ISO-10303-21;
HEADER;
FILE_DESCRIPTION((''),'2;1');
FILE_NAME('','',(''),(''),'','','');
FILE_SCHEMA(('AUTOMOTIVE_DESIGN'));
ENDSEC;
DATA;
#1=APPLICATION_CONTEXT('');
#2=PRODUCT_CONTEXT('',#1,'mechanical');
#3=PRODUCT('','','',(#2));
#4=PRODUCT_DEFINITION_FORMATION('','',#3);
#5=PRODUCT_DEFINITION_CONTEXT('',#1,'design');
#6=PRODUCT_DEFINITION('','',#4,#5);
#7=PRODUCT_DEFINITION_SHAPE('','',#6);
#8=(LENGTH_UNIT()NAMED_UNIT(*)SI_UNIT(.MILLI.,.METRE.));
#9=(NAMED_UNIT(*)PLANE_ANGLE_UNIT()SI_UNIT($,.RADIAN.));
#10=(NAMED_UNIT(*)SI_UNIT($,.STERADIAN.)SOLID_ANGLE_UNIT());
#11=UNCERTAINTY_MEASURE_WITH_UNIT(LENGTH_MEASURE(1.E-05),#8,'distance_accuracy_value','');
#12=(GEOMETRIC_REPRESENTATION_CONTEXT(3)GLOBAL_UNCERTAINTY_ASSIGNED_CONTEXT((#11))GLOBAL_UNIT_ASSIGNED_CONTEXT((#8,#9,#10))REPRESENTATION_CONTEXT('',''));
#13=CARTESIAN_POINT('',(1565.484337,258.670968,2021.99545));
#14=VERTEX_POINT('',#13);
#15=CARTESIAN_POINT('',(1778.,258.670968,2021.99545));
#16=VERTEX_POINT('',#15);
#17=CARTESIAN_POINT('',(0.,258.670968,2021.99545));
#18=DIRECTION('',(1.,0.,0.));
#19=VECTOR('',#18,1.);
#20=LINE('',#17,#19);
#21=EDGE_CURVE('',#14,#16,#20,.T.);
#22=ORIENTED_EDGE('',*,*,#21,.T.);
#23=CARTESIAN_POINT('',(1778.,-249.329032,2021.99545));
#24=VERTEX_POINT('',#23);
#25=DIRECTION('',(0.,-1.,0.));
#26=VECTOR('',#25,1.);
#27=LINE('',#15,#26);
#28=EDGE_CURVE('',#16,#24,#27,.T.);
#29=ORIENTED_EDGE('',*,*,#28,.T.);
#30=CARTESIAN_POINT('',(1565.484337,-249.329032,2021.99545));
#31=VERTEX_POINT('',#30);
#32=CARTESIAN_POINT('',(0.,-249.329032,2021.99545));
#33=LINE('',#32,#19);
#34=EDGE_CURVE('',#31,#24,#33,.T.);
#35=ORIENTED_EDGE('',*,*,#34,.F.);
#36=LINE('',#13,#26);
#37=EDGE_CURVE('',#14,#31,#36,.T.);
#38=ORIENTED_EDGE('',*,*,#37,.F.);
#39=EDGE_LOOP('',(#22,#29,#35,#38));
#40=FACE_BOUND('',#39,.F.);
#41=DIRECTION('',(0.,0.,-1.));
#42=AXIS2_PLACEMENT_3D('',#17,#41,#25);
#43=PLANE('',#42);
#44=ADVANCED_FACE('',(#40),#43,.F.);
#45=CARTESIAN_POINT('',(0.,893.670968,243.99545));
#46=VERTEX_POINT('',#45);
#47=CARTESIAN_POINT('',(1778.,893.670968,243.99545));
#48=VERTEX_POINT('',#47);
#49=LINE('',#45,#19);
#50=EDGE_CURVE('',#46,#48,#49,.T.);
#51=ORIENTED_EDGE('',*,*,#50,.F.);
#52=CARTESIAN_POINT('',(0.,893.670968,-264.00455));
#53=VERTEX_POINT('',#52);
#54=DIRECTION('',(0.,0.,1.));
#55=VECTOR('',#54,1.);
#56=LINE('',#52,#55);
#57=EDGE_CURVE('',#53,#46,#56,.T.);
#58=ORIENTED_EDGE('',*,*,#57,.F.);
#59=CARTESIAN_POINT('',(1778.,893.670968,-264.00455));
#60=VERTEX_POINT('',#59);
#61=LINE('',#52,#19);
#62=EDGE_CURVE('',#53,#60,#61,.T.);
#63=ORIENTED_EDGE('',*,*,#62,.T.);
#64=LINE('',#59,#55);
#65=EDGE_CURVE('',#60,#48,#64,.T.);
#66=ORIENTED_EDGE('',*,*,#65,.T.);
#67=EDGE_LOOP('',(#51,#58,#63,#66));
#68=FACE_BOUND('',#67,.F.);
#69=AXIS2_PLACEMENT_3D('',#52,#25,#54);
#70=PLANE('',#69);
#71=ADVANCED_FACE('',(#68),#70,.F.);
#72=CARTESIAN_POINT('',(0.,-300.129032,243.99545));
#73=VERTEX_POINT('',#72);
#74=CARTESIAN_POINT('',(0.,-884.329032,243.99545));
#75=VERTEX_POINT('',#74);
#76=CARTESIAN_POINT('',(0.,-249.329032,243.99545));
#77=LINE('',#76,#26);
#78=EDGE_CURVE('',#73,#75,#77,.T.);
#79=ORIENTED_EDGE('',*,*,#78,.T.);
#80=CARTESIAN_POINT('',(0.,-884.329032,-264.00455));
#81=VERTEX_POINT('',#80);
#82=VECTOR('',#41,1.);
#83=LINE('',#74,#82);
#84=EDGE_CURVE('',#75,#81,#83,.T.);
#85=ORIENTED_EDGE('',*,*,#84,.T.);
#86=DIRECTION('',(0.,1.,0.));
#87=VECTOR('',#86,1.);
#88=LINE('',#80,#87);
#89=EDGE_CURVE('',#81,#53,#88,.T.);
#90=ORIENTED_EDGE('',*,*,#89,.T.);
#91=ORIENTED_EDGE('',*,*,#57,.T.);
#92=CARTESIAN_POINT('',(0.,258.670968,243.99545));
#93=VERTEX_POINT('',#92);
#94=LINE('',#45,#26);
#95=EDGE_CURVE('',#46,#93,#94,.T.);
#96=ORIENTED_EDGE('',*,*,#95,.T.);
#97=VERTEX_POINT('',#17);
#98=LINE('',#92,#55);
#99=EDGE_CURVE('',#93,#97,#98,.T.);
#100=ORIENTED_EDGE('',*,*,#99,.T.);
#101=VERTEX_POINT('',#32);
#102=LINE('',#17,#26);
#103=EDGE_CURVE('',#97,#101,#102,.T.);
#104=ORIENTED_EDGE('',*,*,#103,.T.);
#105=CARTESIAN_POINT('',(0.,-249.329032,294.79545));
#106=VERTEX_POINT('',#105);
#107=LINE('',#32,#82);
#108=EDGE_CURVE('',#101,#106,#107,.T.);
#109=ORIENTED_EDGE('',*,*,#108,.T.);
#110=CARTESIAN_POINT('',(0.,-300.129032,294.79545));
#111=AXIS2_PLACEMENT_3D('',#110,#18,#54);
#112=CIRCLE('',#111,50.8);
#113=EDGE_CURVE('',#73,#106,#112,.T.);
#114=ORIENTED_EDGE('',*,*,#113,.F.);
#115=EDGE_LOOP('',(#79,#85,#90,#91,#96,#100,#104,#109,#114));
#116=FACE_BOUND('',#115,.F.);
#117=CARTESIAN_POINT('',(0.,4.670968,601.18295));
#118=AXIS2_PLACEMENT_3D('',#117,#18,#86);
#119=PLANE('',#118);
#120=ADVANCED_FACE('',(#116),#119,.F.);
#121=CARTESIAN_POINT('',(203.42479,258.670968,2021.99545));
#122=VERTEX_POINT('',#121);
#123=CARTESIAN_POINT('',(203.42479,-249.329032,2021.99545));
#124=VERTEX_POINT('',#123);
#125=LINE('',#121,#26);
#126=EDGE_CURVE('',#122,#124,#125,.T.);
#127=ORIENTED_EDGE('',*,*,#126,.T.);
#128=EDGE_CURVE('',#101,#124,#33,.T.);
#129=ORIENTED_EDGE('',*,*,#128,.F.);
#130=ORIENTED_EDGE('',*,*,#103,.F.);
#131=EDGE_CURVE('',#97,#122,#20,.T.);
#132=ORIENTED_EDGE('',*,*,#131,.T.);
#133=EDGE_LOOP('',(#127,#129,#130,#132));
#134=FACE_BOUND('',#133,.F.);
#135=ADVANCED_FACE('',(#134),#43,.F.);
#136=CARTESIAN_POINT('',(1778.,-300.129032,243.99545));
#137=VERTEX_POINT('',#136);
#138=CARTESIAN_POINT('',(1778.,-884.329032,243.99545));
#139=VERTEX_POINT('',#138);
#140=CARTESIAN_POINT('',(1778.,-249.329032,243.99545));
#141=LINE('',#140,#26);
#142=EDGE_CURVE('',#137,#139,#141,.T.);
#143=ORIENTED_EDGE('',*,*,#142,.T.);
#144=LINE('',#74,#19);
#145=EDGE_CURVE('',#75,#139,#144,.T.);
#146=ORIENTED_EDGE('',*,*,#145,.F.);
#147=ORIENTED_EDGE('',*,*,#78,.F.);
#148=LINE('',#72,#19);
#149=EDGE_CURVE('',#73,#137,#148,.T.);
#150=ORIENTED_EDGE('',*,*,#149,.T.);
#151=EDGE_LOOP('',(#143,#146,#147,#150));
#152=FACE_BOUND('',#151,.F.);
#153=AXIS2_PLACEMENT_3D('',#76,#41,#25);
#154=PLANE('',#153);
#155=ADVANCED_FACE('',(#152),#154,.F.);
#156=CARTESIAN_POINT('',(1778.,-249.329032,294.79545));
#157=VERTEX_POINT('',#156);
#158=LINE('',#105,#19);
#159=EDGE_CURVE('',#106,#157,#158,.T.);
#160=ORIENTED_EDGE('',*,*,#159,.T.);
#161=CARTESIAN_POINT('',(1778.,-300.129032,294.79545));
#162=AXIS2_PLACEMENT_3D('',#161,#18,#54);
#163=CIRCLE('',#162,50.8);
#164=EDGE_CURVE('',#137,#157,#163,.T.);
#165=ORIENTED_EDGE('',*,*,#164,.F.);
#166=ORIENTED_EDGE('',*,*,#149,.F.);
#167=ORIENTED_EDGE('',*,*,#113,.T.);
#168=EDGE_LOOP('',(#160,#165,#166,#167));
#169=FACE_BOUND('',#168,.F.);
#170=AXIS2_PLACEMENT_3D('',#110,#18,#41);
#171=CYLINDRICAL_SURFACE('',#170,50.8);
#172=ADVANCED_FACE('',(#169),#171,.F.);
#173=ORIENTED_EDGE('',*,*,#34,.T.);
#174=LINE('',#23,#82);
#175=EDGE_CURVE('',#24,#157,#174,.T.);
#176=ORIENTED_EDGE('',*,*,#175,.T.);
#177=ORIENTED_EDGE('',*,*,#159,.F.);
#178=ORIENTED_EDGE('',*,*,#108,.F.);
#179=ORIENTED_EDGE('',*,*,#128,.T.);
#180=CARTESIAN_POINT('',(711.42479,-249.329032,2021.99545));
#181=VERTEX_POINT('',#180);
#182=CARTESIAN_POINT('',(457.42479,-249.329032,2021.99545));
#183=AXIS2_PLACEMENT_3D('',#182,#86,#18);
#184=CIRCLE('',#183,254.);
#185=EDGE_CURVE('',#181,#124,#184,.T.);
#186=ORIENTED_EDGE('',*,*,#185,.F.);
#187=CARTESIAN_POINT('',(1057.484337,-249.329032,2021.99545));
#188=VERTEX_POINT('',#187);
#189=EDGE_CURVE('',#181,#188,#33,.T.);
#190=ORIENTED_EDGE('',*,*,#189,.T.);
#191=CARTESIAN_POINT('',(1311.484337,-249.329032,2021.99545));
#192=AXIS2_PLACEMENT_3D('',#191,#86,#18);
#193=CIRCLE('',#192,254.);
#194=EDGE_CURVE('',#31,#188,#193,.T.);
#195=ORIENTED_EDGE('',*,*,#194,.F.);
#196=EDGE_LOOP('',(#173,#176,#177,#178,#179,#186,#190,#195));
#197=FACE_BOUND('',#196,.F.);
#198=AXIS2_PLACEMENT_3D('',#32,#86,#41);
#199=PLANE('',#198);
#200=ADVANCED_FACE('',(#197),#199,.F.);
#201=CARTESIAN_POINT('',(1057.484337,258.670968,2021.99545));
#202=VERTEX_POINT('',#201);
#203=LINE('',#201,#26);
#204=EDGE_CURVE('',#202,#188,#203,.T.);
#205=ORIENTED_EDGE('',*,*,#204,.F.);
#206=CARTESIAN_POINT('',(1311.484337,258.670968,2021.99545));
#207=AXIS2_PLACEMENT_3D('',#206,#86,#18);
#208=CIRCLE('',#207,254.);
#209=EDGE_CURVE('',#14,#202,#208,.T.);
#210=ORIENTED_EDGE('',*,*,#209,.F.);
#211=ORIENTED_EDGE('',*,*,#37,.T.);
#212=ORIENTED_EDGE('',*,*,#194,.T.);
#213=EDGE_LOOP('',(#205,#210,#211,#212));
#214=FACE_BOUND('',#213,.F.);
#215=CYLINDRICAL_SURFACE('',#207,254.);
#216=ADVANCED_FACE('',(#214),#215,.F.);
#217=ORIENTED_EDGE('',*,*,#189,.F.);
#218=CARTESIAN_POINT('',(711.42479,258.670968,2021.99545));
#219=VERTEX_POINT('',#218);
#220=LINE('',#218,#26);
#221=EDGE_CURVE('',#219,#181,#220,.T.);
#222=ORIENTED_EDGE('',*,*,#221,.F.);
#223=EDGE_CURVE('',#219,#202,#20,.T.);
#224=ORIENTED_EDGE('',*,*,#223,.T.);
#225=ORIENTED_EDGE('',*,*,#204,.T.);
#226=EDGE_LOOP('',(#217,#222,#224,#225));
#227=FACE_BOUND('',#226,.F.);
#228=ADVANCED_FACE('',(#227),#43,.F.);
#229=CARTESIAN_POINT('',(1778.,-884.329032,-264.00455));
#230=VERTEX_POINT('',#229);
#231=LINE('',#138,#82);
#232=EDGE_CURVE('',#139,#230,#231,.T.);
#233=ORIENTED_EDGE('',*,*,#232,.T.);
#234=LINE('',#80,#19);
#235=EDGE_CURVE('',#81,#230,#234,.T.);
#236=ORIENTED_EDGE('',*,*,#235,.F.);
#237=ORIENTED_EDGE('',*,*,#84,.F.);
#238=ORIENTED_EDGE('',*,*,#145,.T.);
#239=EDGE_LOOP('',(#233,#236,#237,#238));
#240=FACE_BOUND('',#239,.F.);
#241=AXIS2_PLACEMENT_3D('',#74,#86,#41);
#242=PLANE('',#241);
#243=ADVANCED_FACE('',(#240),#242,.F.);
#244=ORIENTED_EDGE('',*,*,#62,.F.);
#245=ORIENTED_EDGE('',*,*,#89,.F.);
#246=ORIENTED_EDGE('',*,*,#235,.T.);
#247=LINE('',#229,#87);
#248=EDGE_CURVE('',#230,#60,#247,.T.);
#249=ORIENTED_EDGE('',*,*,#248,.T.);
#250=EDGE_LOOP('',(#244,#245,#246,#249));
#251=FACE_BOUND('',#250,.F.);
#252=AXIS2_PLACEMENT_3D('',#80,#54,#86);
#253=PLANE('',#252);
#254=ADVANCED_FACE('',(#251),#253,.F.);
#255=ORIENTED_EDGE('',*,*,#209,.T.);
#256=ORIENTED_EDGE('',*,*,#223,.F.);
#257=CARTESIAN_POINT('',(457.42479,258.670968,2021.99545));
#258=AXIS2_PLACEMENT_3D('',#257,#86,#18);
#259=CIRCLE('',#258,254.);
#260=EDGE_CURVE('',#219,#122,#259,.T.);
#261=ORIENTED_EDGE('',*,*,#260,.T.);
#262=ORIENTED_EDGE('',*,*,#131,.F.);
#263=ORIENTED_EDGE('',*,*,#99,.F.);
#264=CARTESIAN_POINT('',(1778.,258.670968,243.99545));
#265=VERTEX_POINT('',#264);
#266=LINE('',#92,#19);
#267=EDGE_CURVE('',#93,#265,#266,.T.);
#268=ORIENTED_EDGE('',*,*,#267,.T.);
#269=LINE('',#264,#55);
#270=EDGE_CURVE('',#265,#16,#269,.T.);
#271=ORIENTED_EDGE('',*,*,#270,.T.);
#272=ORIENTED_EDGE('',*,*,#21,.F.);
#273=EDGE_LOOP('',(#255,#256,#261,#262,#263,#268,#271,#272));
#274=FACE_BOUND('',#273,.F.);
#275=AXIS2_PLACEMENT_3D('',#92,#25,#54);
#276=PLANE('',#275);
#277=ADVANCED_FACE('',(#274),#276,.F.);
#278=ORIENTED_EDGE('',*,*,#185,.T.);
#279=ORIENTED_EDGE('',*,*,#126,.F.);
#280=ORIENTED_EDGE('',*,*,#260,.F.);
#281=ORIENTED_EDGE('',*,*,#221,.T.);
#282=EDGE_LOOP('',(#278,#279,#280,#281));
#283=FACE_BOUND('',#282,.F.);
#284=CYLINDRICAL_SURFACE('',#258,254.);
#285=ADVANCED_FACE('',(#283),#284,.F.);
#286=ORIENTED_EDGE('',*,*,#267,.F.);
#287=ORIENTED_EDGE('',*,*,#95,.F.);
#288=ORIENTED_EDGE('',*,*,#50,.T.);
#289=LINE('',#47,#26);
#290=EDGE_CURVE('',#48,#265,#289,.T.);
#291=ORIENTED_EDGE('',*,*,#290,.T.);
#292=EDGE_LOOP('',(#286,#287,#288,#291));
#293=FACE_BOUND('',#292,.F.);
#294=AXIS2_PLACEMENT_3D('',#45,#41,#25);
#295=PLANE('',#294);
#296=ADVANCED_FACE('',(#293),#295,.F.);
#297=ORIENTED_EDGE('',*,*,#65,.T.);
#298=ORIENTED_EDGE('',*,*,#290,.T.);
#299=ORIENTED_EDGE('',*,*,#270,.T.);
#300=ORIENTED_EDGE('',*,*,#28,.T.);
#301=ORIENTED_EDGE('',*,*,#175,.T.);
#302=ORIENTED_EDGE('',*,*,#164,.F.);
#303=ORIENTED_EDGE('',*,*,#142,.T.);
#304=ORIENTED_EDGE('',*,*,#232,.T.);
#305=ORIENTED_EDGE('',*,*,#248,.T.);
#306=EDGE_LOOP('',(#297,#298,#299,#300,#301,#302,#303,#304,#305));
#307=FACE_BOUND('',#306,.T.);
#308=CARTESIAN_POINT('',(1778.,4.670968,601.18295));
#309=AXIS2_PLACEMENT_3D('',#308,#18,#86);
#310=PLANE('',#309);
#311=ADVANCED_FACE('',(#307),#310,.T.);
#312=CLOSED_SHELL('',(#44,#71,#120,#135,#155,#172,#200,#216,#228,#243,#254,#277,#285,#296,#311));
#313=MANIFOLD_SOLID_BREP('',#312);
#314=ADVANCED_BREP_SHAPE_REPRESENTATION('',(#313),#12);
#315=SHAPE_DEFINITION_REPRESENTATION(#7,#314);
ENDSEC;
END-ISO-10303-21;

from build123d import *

# Parameters (mm, degrees)
F1_DEPTH = 1778
F3_DEPTH = 508
F4_R     = 50.8


with BuildPart() as f1:
    # F0 (on Right) → F1 (new body)
    with BuildSketch(Plane.YZ):
        Polygon((-884.329032, 243.99545), (-884.329032, -264.00455), (893.670968, -264.00455), (893.670968, 243.99545), (258.670968, 243.99545), (258.670968, 2021.99545), (-249.329032, 2021.99545), (-249.329032, 243.99545), align=None)
    extrude(amount=F1_DEPTH)

    # F2 (on face) → F3 (cut, through all)
    with BuildSketch(Plane(origin=(0, 258.670968, 0), x_dir=(-1, 0, 0), z_dir=(0, 1, 0))):
        with BuildLine():
            Line((-1057.484337, 2021.99545), (-1565.484337, 2021.99545))
            ThreePointArc((-1565.484337, 2021.99545), (-1311.484337, 1767.99545), (-1057.484337, 2021.99545))
        make_face()
        with BuildLine():
            Line((-203.42479, 2021.99545), (-711.42479, 2021.99545))
            ThreePointArc((-711.42479, 2021.99545), (-457.42479, 1767.99545), (-203.42479, 2021.99545))
        make_face()
    extrude(amount=-F3_DEPTH, mode=Mode.SUBTRACT)

    # F4
    f4_edges = [f1.edges().sort_by_distance(p)[0] for p in [
        (889, -249.329032, 243.99545),
    ]]
    fillet(f4_edges, radius=F4_R)


solid = f1.part
